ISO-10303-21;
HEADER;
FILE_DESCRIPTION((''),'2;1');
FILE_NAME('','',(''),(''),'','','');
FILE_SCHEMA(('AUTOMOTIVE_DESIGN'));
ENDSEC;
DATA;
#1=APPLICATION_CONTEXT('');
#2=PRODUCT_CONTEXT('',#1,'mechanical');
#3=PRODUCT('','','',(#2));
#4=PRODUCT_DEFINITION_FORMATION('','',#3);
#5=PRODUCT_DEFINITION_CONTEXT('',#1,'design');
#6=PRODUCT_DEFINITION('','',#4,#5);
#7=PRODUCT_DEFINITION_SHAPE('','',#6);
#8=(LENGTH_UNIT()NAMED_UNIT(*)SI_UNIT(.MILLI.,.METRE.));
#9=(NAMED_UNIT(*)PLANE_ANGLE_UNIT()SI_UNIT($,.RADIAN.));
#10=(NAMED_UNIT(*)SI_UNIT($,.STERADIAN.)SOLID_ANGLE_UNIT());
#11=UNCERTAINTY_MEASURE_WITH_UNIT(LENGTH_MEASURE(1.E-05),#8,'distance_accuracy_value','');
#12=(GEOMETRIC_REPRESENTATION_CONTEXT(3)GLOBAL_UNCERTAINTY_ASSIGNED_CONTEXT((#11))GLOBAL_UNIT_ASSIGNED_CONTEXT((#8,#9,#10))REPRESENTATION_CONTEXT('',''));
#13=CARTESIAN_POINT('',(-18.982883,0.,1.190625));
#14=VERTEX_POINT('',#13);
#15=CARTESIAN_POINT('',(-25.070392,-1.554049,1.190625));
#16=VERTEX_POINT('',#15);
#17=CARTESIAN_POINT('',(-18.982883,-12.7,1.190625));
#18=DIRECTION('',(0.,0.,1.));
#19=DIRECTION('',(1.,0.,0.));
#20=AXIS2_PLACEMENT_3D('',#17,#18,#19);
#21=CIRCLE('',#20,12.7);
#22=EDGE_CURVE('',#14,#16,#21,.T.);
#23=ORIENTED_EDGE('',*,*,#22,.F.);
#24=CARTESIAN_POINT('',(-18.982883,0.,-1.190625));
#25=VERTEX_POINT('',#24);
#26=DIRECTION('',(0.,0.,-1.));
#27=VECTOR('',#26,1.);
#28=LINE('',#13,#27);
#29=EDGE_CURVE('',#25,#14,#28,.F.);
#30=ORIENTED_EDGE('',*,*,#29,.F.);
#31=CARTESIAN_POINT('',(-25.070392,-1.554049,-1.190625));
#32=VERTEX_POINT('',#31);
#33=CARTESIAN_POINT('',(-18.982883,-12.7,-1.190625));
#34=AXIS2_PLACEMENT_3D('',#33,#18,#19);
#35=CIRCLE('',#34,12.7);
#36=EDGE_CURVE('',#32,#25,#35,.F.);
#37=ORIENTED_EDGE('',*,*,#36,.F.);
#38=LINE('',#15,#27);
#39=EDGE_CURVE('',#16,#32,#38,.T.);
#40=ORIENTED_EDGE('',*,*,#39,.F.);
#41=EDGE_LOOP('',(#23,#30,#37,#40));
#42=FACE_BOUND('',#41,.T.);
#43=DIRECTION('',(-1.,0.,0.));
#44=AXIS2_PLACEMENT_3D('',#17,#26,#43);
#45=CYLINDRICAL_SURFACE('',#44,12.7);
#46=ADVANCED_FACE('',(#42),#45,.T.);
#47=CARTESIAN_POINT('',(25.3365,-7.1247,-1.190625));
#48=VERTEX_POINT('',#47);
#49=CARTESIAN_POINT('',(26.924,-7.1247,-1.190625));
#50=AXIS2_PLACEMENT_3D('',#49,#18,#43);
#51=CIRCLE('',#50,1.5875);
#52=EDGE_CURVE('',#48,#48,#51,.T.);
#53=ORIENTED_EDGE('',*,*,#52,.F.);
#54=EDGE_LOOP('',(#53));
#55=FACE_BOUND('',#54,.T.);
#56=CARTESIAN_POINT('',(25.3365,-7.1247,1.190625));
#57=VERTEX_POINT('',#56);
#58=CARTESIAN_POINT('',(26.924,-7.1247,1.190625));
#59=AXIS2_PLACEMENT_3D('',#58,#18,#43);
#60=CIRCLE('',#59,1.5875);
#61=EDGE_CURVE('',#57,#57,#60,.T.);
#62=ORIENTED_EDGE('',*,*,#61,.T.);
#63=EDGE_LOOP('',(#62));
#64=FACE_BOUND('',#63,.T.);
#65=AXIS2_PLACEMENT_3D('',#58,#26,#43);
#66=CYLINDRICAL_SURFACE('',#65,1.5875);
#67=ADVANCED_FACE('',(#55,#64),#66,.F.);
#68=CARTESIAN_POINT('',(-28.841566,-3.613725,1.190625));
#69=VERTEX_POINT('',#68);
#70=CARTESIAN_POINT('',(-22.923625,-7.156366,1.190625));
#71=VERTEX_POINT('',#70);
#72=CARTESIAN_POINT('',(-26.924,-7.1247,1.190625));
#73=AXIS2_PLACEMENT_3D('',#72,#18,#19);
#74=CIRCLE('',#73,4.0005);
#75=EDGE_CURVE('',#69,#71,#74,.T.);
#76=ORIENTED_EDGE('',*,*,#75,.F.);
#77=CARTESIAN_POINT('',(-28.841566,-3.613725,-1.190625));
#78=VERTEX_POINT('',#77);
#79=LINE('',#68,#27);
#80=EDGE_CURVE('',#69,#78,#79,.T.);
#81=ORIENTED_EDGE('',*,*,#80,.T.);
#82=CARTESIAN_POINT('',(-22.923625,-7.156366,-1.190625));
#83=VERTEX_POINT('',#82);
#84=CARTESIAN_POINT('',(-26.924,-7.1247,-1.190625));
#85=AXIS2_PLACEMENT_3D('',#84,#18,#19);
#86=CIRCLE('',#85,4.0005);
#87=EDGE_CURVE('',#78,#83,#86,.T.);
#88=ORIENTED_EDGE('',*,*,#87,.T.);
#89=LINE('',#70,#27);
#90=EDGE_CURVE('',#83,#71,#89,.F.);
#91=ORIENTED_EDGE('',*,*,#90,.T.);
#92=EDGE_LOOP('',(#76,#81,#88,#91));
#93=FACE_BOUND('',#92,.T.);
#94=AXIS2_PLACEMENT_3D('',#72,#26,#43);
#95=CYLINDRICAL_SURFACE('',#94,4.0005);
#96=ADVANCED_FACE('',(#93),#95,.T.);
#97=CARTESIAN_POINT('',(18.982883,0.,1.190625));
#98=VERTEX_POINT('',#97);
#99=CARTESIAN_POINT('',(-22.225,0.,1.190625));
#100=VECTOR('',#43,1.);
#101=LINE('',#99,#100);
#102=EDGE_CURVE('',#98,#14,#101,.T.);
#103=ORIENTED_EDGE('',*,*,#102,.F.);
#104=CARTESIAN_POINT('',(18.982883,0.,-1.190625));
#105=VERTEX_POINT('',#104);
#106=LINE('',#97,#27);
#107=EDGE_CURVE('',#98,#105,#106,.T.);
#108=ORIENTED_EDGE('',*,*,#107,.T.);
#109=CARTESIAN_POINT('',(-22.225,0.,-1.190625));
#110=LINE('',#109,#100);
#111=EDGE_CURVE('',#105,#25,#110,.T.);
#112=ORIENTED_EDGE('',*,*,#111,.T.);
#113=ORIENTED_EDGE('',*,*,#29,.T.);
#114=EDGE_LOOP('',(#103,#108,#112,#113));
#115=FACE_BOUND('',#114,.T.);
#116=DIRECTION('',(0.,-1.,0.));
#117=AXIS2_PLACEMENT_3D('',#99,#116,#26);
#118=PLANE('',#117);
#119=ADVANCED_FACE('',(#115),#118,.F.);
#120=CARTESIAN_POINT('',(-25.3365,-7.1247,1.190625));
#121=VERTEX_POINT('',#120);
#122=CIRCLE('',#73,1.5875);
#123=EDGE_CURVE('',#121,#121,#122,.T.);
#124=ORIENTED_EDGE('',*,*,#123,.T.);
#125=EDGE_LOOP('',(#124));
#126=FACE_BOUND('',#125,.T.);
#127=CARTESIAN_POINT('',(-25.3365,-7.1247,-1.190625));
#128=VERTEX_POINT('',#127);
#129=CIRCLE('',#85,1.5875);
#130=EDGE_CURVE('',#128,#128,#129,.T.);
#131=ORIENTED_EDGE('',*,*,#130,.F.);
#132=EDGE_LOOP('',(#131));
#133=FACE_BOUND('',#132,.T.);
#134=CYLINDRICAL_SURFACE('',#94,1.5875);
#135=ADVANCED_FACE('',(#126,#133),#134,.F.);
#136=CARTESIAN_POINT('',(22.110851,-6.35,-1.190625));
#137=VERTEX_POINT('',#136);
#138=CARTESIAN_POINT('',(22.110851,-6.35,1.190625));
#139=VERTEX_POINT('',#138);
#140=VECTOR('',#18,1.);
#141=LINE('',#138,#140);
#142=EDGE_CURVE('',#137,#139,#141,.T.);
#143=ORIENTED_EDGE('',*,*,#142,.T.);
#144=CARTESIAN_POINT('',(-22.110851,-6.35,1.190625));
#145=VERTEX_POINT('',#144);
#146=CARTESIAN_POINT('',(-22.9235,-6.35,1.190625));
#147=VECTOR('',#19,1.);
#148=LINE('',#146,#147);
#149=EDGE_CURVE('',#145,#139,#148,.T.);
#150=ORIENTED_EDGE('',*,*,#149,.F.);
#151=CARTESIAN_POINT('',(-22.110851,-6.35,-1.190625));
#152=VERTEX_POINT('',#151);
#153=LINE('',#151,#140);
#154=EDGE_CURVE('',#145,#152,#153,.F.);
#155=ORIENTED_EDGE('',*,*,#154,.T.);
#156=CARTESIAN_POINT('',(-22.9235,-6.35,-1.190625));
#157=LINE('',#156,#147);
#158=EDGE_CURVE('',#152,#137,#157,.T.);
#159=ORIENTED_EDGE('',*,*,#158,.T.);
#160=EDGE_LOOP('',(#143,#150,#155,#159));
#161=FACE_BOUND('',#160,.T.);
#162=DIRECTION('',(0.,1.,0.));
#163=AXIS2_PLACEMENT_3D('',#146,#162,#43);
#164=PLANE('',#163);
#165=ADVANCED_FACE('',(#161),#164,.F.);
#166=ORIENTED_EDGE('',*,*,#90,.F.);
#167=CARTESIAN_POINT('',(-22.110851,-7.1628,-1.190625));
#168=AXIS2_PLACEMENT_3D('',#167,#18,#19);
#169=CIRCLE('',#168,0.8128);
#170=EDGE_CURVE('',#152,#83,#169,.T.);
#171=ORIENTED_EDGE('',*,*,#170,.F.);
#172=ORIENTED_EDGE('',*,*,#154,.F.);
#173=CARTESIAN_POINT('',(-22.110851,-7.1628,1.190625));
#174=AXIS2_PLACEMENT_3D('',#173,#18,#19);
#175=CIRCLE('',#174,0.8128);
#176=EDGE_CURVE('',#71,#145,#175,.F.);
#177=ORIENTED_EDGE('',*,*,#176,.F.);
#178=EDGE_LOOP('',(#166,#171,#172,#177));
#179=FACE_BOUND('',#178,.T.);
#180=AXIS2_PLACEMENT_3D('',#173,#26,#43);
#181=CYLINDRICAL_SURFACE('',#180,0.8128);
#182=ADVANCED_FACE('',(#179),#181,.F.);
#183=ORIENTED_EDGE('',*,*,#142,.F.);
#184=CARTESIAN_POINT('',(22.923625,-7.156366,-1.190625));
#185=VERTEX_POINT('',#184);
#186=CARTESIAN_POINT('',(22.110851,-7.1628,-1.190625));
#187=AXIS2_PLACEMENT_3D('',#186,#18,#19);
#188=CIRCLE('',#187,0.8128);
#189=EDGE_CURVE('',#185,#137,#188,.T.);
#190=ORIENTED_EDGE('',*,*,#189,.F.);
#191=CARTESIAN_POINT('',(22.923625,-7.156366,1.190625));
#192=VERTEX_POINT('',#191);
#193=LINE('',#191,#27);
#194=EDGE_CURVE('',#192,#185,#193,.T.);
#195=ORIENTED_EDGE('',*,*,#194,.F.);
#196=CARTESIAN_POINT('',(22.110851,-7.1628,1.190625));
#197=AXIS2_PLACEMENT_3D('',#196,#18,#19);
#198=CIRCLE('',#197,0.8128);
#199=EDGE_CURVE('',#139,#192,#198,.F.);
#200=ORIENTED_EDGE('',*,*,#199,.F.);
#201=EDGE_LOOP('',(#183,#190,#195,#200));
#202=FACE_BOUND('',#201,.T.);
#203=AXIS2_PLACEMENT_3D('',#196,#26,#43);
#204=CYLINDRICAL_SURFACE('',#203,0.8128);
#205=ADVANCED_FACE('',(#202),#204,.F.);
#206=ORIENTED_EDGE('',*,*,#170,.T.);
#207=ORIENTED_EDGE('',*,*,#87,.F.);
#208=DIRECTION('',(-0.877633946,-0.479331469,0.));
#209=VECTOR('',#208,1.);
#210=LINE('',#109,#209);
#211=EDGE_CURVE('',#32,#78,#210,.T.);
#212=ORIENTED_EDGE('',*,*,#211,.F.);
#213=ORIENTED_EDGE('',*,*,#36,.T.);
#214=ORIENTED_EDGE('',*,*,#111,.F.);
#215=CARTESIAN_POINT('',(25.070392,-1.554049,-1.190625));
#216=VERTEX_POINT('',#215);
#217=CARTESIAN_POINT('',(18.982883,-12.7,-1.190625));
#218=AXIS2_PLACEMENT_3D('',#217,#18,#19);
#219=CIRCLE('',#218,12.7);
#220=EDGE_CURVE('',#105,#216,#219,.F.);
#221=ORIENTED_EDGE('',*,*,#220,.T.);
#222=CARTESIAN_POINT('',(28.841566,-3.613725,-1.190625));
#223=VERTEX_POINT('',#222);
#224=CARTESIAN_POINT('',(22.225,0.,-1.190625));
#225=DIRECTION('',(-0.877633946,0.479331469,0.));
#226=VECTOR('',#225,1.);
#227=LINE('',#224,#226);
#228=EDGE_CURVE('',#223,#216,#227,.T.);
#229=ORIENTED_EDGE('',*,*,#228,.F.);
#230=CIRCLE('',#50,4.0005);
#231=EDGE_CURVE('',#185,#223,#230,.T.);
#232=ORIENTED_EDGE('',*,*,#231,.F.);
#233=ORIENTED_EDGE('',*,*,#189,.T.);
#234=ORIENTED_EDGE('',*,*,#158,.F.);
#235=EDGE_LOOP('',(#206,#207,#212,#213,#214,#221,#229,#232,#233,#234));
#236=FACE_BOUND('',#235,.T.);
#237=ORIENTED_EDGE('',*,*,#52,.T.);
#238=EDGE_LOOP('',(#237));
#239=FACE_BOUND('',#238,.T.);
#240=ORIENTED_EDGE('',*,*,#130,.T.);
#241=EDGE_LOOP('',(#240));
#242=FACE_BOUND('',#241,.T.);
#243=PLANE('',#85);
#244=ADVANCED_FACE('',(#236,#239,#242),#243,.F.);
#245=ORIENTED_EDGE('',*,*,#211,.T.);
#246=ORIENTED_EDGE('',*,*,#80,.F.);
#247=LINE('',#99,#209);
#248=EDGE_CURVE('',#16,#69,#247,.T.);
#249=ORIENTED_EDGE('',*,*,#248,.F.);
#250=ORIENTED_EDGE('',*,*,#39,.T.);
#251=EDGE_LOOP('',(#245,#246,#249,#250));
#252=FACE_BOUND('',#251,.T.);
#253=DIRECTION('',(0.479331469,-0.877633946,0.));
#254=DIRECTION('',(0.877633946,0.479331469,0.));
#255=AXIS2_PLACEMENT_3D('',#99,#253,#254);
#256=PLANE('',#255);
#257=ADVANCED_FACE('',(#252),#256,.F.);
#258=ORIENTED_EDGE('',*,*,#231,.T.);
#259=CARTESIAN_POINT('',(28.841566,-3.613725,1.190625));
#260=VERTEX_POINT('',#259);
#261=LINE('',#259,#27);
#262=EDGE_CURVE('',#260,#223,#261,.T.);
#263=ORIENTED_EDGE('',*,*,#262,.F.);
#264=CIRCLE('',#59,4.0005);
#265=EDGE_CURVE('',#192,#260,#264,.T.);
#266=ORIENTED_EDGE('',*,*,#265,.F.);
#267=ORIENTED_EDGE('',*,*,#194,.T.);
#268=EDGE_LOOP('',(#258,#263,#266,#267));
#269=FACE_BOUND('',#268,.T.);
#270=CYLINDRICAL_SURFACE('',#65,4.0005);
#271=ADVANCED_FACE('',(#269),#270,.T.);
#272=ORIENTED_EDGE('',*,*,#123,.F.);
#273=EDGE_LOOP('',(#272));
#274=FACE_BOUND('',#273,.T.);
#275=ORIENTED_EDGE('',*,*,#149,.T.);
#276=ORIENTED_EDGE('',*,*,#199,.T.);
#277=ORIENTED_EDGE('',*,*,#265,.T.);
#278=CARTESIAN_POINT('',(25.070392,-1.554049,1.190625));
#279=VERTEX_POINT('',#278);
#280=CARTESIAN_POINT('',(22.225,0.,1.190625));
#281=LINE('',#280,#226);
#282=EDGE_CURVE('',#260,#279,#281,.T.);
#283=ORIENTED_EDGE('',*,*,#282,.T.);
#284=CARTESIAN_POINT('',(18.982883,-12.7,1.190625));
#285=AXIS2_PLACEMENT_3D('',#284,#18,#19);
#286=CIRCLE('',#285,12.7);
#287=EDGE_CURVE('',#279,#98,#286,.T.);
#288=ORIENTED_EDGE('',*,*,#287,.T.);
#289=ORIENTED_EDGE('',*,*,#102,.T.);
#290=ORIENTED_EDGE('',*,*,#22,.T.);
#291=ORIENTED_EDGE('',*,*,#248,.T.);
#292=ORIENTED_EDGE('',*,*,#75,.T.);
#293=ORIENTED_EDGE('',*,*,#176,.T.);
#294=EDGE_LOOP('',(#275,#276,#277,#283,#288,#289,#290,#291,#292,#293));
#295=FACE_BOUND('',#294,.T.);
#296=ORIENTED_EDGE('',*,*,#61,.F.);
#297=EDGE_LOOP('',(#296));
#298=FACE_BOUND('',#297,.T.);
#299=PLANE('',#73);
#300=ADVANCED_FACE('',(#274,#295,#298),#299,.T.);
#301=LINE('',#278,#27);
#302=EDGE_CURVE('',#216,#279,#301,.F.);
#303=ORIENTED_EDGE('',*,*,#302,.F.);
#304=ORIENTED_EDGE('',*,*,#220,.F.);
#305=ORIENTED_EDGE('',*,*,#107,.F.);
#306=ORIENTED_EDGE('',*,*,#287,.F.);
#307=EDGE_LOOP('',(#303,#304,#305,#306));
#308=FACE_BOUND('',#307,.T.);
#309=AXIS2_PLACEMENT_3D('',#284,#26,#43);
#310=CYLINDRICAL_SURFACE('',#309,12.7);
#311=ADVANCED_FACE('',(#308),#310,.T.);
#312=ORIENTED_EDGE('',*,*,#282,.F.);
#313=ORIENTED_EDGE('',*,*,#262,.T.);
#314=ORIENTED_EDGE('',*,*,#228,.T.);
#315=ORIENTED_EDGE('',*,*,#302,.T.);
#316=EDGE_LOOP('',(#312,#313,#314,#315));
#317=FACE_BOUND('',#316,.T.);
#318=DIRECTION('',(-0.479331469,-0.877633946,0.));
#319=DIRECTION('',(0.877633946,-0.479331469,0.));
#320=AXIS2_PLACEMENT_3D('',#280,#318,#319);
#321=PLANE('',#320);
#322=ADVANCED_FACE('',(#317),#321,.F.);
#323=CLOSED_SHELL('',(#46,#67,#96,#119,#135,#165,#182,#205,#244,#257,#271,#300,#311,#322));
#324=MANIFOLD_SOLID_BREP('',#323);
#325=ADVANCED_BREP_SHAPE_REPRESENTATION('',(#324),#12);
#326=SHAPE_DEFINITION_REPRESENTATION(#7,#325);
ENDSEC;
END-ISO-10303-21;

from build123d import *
from OCP.BRepFilletAPI import BRepFilletAPI_MakeFillet

# Parameters (mm, degrees)
SKETCH1_R           = 1.5875
BOSS_EXTRUDE1_DEPTH = 1.190625
FILLET1_R1          = 12.7
FILLET1_R2          = 0.8128


with BuildPart() as part:
    # Sketch1 → Boss-Extrude1 (new, symmetric)
    with BuildSketch(Plane.XY):
        with BuildLine():
            Line((-22.225, 0), (22.225, 0))
            Line((22.225, 0), (28.841565542, -3.6137254))
            ThreePointArc((28.841565542, -3.6137254), (28.965173596, -10.565282887), (22.9235, -7.1247))
            Line((22.9235, -7.1247), (22.9235, -6.35))
            Line((22.9235, -6.35), (-22.9235, -6.35))
            Line((-22.9235, -6.35), (-22.9235, -7.1247))
            ThreePointArc((-22.9235, -7.1247), (-28.965173596, -10.565282887), (-28.841565542, -3.6137254))
            Line((-28.841565542, -3.6137254), (-22.225, 0))
        make_face()
        with Locations((-26.924, -7.1247)):
            Circle(SKETCH1_R, mode=Mode.SUBTRACT)
        with Locations((26.924, -7.1247)):
            Circle(SKETCH1_R, mode=Mode.SUBTRACT)
    extrude(amount=BOSS_EXTRUDE1_DEPTH, both=True)

    # Fillet1: one fillet with a radius per group of edges: ONE call of the kernel's fillet builder (fillet() takes one radius for all edges)
    fillet1_edges_1 = [part.edges().sort_by_distance(p)[0] for p in [
        (-22.225, 0, 0),
        (22.225, 0, 0),
    ]]
    fillet1_edges_2 = [part.edges().sort_by_distance(p)[0] for p in [
        (-22.9235, -6.35, 0),
        (22.9235, -6.35, 0),
    ]]
    fillet1 = BRepFilletAPI_MakeFillet(part.part.solid().wrapped)
    for e in fillet1_edges_1:
        fillet1.Add(FILLET1_R1, e.wrapped)
    for e in fillet1_edges_2:
        fillet1.Add(FILLET1_R2, e.wrapped)
    add(Compound.cast(fillet1.Shape()), mode=Mode.REPLACE)


solid = part.part
